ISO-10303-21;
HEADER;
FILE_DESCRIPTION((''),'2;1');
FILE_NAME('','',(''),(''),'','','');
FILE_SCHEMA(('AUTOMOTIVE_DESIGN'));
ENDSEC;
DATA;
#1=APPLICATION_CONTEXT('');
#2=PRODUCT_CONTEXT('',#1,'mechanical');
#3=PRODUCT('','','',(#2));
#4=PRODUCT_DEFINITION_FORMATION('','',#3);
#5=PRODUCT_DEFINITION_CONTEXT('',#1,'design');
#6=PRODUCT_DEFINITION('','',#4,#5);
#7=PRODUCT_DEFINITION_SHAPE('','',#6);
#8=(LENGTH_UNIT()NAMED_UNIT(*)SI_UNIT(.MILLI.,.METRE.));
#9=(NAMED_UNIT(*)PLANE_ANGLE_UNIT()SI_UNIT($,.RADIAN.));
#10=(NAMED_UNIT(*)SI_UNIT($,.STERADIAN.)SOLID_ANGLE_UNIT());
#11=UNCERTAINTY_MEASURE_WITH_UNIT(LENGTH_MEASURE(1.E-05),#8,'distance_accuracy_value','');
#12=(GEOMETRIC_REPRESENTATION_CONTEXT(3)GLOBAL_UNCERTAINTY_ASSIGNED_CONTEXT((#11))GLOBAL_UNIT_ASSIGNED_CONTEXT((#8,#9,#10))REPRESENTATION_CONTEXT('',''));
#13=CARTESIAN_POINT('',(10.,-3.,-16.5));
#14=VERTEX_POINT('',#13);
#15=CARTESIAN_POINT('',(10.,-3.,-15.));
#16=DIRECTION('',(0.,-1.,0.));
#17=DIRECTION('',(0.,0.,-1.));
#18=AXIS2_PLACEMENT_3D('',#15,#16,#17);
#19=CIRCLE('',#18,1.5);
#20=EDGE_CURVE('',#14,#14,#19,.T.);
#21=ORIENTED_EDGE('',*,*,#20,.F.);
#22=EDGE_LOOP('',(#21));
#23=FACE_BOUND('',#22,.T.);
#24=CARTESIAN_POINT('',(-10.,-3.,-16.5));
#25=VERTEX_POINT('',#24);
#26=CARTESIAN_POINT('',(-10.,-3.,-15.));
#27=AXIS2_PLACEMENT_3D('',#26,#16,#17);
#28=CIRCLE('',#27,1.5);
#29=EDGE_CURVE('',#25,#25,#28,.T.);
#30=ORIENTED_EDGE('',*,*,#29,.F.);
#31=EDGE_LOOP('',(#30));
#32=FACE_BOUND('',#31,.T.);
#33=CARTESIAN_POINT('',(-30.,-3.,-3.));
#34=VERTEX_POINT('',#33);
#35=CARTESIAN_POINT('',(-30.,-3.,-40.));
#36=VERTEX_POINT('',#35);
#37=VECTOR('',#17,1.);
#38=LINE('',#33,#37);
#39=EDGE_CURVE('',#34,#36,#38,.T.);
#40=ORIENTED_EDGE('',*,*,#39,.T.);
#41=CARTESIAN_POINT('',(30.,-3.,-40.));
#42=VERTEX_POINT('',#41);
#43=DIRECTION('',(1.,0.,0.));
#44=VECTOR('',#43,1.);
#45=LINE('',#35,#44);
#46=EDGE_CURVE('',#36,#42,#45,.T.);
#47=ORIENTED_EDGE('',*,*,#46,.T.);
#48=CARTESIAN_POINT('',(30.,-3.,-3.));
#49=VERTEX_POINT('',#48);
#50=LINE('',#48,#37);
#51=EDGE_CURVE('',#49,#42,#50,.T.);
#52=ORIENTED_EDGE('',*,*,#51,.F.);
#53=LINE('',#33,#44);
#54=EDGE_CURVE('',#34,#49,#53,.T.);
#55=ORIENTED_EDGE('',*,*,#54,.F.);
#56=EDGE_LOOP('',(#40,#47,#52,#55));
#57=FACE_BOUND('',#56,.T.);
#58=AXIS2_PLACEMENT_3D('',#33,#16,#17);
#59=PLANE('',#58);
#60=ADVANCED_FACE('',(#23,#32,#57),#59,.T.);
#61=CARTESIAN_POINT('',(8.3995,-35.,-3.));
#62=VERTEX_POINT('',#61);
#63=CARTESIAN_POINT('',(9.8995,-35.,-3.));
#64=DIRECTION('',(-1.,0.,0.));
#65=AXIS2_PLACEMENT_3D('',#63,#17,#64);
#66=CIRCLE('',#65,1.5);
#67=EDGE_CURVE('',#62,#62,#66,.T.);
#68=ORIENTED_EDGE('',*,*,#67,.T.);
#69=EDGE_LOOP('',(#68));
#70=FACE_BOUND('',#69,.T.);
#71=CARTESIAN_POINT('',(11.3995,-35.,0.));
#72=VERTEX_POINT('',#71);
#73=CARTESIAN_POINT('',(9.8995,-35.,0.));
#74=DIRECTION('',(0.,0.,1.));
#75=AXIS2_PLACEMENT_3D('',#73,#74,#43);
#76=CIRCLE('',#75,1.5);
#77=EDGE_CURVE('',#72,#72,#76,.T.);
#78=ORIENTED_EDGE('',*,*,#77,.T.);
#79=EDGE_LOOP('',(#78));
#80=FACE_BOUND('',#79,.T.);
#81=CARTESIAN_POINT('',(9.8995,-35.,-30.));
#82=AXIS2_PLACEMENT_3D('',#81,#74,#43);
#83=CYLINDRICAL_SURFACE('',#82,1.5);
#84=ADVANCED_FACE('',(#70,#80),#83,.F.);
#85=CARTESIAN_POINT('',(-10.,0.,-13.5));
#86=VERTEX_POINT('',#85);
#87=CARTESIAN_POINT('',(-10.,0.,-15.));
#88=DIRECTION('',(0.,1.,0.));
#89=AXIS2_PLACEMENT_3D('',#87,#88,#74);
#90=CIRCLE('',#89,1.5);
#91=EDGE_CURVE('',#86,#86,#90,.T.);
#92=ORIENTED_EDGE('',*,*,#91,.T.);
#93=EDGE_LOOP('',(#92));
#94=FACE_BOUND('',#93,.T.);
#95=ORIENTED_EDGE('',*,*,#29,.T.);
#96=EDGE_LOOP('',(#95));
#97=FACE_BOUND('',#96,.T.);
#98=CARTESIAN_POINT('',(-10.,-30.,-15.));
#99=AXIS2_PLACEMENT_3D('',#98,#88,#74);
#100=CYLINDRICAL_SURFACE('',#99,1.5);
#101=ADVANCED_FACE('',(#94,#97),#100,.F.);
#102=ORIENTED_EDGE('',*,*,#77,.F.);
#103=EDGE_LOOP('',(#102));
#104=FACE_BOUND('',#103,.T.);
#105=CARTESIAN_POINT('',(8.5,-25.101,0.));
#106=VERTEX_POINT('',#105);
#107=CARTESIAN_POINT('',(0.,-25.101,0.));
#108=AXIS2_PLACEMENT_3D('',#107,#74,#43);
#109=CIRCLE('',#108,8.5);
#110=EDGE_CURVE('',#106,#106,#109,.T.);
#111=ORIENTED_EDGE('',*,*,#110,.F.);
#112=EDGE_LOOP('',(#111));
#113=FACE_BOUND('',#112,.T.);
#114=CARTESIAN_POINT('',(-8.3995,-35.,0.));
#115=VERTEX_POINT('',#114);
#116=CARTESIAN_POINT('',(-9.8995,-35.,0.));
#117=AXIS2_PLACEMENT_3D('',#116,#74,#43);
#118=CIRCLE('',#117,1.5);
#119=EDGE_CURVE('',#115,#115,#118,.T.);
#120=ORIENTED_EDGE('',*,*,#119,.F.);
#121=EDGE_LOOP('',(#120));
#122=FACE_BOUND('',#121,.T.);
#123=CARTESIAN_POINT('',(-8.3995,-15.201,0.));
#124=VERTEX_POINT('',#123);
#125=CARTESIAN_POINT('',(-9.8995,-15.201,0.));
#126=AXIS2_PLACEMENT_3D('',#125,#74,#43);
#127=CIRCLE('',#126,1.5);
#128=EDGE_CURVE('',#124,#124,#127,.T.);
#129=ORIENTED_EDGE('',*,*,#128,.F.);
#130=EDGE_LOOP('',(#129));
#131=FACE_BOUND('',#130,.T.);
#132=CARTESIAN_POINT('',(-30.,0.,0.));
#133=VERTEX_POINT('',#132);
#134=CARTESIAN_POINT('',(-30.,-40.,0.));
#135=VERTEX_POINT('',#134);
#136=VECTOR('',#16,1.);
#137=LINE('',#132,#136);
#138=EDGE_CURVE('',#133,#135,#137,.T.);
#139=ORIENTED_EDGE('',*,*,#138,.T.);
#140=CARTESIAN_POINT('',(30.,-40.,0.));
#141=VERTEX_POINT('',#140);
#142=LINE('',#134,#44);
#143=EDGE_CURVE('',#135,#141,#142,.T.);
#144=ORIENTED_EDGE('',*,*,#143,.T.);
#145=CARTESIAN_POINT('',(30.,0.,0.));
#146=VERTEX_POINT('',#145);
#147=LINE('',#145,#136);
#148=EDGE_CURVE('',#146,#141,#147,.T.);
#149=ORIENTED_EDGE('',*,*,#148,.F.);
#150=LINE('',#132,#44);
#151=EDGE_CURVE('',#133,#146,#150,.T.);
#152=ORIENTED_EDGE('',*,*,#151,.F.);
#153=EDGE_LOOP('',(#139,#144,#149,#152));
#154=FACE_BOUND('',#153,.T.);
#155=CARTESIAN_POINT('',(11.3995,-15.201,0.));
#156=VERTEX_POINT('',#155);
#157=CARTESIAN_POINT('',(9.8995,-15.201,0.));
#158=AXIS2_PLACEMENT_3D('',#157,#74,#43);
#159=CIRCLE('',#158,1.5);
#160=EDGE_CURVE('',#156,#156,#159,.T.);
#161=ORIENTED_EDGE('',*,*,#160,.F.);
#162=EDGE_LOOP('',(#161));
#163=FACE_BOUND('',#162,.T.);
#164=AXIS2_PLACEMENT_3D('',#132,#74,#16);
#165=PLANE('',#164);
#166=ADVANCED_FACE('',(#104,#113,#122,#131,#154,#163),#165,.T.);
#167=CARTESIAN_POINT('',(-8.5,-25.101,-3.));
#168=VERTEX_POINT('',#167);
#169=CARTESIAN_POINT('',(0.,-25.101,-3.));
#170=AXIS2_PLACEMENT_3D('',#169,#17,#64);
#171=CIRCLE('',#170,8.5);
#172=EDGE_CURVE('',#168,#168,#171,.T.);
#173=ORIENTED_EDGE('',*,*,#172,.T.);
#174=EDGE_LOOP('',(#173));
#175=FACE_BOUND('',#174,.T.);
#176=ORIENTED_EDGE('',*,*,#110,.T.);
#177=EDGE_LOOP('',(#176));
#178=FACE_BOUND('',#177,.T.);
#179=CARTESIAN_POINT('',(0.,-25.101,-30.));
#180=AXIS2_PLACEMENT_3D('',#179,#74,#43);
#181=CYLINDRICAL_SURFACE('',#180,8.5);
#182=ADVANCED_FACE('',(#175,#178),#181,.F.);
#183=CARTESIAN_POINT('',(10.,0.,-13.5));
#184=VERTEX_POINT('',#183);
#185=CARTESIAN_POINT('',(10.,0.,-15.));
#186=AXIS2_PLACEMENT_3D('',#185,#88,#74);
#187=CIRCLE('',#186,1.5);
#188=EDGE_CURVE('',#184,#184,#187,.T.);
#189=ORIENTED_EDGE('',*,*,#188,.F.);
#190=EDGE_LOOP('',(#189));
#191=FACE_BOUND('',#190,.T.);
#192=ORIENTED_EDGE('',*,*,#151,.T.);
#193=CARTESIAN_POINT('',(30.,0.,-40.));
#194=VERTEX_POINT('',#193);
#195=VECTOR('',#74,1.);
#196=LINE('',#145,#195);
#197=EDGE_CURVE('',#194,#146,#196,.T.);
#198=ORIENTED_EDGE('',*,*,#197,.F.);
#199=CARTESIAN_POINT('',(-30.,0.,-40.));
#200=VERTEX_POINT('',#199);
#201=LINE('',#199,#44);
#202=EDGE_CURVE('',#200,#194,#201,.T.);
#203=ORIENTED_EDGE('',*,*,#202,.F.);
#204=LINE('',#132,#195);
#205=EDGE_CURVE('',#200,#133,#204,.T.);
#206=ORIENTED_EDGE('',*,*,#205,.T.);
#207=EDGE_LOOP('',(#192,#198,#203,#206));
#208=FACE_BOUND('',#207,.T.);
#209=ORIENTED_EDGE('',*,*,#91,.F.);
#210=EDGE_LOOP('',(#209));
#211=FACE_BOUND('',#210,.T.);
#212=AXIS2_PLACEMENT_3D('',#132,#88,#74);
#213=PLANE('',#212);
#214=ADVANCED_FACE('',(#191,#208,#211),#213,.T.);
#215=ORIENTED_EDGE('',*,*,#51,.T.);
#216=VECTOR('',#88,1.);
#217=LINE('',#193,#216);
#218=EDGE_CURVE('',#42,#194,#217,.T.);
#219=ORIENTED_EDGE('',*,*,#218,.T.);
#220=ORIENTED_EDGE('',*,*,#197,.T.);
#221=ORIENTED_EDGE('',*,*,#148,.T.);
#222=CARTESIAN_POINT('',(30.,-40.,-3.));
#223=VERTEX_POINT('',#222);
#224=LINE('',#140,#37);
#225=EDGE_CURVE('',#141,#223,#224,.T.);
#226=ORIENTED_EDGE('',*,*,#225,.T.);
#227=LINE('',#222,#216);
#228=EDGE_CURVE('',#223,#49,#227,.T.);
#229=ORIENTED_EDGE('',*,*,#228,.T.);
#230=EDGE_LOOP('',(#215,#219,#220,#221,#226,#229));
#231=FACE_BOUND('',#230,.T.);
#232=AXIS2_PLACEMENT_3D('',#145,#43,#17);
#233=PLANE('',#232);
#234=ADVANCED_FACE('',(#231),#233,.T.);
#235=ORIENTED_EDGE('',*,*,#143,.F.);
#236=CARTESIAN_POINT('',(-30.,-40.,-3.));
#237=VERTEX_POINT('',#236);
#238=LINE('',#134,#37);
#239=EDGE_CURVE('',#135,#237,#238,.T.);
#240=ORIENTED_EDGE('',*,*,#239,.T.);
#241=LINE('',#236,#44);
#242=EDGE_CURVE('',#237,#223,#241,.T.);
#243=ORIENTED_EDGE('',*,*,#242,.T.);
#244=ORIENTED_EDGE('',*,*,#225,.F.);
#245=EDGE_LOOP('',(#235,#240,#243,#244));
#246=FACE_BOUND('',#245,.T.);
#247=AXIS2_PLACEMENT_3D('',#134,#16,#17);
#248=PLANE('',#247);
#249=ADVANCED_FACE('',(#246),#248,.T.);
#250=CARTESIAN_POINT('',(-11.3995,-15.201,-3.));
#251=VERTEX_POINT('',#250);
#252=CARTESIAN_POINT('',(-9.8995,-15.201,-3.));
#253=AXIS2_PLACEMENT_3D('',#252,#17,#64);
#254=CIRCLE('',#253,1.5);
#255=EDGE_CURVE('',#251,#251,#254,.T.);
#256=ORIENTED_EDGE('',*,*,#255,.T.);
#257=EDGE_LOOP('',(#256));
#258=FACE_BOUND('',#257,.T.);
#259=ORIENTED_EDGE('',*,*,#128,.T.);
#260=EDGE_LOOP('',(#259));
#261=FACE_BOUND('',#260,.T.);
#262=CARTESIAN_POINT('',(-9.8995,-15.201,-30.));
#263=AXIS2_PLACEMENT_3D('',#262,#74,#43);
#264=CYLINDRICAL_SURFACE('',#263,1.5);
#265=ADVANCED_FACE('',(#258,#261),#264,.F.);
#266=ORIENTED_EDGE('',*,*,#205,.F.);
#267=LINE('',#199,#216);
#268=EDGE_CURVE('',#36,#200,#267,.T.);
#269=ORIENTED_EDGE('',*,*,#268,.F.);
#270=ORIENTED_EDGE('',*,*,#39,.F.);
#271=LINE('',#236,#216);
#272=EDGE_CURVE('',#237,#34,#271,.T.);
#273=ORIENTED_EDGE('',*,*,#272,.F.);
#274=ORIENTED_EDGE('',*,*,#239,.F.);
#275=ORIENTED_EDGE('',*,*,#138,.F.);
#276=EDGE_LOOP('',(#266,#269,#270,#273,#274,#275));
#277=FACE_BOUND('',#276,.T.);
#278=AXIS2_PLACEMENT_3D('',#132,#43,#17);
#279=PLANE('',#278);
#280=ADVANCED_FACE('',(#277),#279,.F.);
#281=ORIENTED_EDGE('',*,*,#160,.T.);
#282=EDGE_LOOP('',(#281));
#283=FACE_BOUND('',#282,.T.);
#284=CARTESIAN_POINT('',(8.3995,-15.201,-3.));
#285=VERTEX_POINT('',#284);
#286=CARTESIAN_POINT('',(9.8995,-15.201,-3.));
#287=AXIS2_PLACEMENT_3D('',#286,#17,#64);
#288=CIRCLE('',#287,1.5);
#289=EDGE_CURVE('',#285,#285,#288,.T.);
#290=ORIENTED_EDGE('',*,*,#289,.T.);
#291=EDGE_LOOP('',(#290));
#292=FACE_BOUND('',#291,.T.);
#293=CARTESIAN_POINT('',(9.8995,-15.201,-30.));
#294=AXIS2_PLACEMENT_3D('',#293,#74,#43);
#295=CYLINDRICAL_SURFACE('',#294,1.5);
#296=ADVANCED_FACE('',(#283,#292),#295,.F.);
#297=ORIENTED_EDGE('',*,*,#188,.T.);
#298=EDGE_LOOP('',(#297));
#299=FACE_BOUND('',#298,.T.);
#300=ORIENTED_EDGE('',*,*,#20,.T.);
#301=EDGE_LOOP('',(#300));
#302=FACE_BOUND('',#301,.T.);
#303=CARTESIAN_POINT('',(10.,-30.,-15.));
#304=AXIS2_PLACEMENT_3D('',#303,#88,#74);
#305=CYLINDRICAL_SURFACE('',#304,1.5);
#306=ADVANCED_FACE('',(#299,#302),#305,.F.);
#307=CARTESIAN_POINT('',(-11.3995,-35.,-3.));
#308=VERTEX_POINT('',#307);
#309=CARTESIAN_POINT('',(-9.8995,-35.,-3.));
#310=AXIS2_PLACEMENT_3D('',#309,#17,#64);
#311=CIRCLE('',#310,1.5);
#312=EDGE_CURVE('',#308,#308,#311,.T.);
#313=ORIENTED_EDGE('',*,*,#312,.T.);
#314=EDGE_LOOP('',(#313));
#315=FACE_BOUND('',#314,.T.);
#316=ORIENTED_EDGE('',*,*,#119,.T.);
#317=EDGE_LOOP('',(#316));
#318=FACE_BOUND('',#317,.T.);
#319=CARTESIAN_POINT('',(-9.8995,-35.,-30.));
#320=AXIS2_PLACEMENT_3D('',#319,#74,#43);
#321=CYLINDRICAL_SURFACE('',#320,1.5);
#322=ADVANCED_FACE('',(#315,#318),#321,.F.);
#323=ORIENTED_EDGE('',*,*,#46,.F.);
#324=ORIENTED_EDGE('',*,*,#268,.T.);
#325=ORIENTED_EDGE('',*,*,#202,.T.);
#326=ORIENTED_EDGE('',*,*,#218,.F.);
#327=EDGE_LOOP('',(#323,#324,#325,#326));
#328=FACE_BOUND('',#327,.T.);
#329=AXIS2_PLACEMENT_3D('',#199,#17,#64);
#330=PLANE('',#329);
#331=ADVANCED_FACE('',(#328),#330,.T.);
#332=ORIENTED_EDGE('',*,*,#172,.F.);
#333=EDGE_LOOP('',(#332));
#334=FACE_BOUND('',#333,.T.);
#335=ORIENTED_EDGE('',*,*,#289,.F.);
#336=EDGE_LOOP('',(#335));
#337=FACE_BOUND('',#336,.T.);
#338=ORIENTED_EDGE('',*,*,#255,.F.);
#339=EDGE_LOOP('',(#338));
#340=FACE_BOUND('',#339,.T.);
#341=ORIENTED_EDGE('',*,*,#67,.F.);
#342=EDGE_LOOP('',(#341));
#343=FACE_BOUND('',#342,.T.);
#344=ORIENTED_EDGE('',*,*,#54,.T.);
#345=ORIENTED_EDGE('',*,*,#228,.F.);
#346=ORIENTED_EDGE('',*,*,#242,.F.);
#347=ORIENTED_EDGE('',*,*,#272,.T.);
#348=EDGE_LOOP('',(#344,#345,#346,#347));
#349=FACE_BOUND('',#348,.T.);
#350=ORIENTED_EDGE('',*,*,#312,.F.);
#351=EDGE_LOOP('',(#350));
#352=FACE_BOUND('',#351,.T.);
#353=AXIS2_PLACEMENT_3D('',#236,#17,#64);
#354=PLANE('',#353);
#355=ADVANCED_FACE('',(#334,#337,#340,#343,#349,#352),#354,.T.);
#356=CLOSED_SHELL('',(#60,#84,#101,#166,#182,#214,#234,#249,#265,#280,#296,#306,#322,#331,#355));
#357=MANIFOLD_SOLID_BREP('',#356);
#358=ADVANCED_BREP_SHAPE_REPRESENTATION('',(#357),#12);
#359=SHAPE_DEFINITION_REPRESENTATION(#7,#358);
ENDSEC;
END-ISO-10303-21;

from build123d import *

# Parameters (mm, degrees)
BOSS_EXTRUDE1_DEPTH      = 30
BOSS_EXTRUDE1_DEPTH_BACK = 30
SKETCH2_R                = 1.5
SKETCH2_R_2              = 8.5
CUT_EXTRUDE1_DEPTH       = 30
SKETCH3_R                = 1.5
CUT_EXTRUDE2_DEPTH       = 30


with BuildPart() as part:
    # Sketch1 → Boss-Extrude1 (new, two sides: drawn at the far end of the back side and taken through both)
    with BuildSketch(Plane(origin=(0, 0, 0), x_dir=(0, 0, -1), z_dir=(1, 0, 0)).offset(-BOSS_EXTRUDE1_DEPTH_BACK)):
        Polygon((0, 0), (40, 0), (40, -3), (3, -3), (3, -40), (0, -40), align=None)
    extrude(amount=BOSS_EXTRUDE1_DEPTH + BOSS_EXTRUDE1_DEPTH_BACK)

    # Sketch2 → Cut-Extrude1 (cut)
    with BuildSketch(Plane.XY):
        with Locations((-9.8995, -15.201)):
            Circle(SKETCH2_R)
        with Locations((9.8995, -15.201)):
            Circle(SKETCH2_R)
        with Locations((-9.8995, -35)):
            Circle(SKETCH2_R)
        with Locations((9.8995, -35)):
            Circle(SKETCH2_R)
        with Locations((0, -25.101)):
            Circle(SKETCH2_R_2)
    extrude(amount=-CUT_EXTRUDE1_DEPTH, mode=Mode.SUBTRACT)

    # Sketch3 → Cut-Extrude2 (cut)
    with BuildSketch(Plane(origin=(0, 0, 0), x_dir=(1, 0, 0), z_dir=(0, 1, 0))):
        with Locations((-10, 15)):
            Circle(SKETCH3_R)
        with Locations((10, 15)):
            Circle(SKETCH3_R)
    extrude(amount=-CUT_EXTRUDE2_DEPTH, mode=Mode.SUBTRACT)


solid = part.part
